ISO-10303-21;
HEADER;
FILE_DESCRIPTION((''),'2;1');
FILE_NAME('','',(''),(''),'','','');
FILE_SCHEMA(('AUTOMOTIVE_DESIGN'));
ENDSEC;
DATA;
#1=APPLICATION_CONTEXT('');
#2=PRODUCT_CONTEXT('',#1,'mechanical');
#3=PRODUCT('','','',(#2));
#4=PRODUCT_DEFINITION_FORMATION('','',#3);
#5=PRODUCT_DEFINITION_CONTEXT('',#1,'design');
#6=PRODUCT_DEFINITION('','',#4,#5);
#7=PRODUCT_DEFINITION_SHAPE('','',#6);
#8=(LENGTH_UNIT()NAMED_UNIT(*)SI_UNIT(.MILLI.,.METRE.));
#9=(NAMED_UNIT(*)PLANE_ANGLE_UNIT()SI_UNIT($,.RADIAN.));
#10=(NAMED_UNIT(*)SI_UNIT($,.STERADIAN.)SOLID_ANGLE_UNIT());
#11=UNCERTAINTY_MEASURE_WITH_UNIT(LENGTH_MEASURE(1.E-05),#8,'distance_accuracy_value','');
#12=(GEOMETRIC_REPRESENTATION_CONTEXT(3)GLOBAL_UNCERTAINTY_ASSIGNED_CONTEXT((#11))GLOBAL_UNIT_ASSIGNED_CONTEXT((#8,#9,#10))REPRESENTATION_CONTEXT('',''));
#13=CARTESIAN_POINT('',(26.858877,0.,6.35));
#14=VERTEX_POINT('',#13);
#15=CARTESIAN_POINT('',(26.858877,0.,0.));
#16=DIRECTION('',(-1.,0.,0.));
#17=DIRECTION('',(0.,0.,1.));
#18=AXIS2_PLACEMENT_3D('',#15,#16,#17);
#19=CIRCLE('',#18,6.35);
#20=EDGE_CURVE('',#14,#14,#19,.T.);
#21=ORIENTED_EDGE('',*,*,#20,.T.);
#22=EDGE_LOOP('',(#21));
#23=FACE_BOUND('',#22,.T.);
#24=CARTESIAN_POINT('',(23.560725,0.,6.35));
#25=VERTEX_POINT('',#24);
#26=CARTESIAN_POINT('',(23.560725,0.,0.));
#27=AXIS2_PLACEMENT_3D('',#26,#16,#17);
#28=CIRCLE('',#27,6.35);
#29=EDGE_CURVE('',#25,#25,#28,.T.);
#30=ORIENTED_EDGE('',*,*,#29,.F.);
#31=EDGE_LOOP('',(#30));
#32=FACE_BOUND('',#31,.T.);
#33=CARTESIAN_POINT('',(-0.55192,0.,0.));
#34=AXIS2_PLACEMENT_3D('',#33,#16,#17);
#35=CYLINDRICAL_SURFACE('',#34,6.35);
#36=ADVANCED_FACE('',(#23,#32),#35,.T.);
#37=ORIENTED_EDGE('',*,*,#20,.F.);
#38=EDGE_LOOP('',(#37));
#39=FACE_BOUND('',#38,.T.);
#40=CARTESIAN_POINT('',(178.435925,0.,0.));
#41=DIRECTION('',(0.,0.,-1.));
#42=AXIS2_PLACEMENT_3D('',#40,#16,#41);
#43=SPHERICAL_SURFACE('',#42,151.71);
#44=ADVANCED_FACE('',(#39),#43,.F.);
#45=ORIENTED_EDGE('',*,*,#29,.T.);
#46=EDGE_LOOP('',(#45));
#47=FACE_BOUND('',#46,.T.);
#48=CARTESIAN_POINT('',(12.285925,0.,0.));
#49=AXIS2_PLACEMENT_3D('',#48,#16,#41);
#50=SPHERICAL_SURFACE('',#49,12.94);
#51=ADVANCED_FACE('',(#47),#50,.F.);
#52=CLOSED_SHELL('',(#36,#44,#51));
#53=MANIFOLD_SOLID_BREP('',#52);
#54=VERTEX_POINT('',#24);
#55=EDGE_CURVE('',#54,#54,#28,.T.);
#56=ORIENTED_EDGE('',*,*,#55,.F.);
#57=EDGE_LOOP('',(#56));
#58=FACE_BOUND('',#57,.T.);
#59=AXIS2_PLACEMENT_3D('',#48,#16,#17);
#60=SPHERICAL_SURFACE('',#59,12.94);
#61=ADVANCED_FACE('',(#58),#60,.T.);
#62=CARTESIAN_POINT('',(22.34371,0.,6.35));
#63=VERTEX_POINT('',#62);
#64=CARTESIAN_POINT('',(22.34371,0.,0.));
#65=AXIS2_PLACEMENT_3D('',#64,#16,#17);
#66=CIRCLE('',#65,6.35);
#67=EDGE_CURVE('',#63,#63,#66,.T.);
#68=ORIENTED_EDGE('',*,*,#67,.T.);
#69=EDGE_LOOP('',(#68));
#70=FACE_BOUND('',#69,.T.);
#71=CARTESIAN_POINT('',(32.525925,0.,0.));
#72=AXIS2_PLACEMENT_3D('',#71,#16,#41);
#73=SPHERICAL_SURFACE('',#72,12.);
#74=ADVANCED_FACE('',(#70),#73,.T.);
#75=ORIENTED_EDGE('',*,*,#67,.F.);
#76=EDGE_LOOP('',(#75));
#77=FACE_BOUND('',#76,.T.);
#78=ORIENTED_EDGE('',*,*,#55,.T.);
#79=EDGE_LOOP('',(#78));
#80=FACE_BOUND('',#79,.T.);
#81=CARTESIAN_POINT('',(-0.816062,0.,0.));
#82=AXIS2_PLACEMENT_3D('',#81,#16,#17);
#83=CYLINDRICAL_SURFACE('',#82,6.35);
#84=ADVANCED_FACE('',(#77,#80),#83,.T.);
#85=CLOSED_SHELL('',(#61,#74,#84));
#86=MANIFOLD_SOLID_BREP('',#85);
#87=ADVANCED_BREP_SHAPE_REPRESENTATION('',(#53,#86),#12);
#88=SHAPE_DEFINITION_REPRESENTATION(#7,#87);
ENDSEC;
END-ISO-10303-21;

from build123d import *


with BuildPart() as part:
    # 草图1 one side → 旋转1 (revolve)
    with BuildSketch(Plane(origin=(0, 0, 0), x_dir=(1, 0, 0), z_dir=(0, 1, 0)), mode=Mode.PRIVATE) as revolve_1_sk:
        with BuildLine():
            ThreePointArc((22.343710293, 6.35), (20.989318689, 3.302530951), (20.525925179, 0))
            Line((20.525925179, 0), (25.225925179, 0))
            ThreePointArc((25.225925179, 0), (24.802703986, 3.282354081), (23.560724512, 6.35))
            Line((23.560724512, 6.35), (22.343710293, 6.35))
        make_face()
    revolve(revolve_1_sk.sketch.rotate(Axis((-0.816062176, 0, 0), (1, 0, 0)), 180), axis=Axis((-0.816062176, 0, 0), (1, 0, 0)))  # turned: the seam where the file's is


with BuildPart() as body_2:
    # 草图2 one side → 旋转2 (revolve)
    with BuildSketch(Plane(origin=(0, 0, 0), x_dir=(1, 0, 0), z_dir=(0, 1, 0))):
        with BuildLine():
            Line((26.858876785, 6.35), (23.560724512, 6.35))
            ThreePointArc((23.560724512, 6.35), (24.802703986, 3.282354081), (25.225925179, 0))
            Line((25.225925179, 0), (26.725925179, 0))
            ThreePointArc((26.725925179, 0), (26.759166723, 3.175695834), (26.858876785, 6.35))
        make_face()
    revolve(axis=Axis((-0.551919993, 0, 0), (1, 0, 0)))


solid = Compound([part.part, body_2.part])
